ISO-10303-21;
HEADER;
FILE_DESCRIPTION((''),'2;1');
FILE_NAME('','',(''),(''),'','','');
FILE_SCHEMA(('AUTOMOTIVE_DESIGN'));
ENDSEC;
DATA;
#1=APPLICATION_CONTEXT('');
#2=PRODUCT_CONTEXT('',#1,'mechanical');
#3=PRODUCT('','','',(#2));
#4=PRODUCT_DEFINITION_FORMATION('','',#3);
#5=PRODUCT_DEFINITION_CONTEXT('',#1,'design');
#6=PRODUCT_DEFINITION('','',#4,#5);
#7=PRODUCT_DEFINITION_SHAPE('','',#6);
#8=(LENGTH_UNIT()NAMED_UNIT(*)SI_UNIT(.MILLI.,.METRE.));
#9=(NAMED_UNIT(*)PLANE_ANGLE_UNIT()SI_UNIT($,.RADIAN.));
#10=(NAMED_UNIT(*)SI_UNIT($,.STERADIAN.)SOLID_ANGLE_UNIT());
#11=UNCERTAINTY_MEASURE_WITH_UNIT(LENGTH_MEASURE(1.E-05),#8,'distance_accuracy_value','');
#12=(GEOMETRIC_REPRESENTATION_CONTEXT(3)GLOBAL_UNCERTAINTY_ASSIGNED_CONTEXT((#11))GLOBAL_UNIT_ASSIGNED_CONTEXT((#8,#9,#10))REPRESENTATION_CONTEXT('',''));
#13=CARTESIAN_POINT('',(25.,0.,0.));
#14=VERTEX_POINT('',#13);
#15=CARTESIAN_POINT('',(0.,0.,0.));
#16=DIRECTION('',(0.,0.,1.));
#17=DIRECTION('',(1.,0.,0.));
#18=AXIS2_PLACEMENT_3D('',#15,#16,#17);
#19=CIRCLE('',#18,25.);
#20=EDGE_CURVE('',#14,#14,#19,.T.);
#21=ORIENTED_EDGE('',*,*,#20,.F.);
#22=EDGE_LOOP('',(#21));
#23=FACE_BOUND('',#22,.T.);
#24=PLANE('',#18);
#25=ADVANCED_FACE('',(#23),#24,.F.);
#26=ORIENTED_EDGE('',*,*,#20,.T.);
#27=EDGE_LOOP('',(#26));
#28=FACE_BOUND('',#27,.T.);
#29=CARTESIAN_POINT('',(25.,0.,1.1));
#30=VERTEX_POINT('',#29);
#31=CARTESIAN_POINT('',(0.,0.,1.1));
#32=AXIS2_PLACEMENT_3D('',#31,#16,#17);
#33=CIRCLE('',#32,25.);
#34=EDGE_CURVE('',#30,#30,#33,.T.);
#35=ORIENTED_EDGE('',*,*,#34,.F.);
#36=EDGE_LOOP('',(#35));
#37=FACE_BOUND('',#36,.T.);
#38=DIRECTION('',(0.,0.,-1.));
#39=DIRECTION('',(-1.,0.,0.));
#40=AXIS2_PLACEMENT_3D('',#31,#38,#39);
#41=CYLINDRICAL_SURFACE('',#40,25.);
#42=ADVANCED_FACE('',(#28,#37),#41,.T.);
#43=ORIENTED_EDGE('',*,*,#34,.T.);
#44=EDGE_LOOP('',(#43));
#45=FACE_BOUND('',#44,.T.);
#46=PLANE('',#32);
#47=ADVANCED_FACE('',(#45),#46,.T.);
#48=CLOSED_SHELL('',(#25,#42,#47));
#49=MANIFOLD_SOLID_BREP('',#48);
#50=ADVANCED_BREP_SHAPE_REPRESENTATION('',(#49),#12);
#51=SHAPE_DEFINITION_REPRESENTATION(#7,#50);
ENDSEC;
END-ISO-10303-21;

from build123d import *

# Parameters (mm, degrees)
SKETCH_1_R      = 25
EXTRUDE_1_DEPTH = 1.1


with BuildPart() as part:
    # 草图1 → 凸台-拉伸1 (new body)
    with BuildSketch(Plane.XY):
        Circle(SKETCH_1_R)
    extrude(amount=EXTRUDE_1_DEPTH)


solid = part.part
